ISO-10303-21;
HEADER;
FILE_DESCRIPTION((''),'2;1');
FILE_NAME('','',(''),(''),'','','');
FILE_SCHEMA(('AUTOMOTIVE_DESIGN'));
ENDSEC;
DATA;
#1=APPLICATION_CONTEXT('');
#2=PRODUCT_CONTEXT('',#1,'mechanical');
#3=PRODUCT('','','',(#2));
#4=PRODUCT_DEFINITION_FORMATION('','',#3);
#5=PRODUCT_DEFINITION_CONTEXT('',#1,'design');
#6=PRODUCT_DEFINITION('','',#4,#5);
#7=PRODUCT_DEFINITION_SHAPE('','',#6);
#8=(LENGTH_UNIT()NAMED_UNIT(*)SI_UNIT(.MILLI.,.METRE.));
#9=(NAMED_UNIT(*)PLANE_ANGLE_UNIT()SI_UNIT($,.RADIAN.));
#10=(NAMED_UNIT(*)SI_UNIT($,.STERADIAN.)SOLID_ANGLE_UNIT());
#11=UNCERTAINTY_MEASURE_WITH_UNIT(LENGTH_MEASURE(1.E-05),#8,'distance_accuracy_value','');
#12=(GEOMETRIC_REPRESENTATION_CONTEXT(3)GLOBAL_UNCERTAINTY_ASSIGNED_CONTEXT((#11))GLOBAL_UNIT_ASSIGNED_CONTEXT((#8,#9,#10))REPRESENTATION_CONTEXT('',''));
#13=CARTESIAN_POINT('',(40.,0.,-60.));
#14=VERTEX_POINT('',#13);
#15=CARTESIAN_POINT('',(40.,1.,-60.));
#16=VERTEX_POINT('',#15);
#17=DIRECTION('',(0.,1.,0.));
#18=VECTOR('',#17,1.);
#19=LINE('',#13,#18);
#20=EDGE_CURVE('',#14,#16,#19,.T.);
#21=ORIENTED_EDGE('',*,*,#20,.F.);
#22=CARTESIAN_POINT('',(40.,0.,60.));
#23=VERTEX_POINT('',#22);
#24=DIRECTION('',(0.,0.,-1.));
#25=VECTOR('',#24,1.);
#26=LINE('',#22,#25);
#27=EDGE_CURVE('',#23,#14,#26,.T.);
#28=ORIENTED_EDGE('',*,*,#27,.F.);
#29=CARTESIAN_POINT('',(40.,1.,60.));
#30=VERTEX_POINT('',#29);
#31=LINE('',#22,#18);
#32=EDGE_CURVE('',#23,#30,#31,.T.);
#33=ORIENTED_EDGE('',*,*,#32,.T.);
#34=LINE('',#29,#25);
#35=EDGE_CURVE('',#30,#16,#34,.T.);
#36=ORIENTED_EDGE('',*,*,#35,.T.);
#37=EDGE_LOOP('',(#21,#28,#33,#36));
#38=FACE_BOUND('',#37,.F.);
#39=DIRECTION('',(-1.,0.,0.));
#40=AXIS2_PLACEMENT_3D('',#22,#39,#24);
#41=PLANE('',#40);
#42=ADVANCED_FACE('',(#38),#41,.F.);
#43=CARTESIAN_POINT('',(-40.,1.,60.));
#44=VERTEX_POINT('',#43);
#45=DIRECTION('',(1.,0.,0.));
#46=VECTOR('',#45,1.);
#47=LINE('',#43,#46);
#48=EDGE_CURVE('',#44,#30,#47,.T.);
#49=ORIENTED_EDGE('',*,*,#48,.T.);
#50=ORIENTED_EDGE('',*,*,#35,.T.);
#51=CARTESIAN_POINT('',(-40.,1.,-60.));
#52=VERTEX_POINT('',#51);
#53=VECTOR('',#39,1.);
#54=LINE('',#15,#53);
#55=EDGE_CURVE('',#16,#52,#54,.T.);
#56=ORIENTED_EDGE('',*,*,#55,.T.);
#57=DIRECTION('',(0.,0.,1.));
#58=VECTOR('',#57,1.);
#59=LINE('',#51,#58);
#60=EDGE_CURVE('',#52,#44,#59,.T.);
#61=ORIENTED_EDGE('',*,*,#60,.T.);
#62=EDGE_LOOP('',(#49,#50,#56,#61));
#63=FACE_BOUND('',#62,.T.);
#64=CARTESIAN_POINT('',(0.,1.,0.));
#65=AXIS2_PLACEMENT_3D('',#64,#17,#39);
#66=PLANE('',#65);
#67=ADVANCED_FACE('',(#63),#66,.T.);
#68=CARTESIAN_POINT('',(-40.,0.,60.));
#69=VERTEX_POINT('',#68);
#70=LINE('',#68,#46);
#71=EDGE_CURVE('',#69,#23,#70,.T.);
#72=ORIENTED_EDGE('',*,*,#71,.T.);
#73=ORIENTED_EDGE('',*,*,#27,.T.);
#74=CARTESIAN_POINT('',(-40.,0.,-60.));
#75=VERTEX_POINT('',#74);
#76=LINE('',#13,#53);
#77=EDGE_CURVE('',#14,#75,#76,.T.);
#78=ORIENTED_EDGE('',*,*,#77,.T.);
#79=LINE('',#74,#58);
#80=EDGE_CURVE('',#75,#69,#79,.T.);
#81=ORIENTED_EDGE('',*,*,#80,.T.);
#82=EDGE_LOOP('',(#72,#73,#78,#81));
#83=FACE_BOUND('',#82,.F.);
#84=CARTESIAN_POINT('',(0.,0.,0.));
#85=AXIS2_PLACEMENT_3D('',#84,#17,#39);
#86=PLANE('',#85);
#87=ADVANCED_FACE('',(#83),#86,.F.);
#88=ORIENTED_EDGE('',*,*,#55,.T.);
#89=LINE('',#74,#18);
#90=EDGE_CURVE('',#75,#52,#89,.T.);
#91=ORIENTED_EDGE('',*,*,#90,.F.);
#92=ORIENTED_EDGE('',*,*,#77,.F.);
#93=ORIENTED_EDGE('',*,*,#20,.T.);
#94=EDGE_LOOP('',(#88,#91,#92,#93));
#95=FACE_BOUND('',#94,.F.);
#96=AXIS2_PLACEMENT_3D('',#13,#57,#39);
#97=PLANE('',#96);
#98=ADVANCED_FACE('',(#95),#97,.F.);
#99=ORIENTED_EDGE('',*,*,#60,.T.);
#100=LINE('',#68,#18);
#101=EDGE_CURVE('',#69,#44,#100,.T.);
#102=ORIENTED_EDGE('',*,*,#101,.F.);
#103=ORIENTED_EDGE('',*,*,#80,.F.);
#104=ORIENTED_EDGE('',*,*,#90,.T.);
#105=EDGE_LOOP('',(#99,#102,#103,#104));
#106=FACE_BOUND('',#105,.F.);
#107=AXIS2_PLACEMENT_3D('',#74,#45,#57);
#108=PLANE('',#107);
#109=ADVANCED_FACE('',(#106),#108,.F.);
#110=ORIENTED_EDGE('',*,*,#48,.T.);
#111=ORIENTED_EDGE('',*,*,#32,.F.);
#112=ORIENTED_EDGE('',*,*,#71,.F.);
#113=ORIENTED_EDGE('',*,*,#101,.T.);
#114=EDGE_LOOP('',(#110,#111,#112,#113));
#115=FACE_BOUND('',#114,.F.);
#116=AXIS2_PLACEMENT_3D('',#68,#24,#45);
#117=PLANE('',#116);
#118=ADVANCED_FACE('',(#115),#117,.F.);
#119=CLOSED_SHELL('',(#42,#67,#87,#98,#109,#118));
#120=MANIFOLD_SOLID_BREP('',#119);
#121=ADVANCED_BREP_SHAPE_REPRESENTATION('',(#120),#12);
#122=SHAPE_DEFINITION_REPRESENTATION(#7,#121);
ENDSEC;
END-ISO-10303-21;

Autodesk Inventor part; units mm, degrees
ref_plane "YZ Plane" through (0, 0, 0) normal (1, 0, 0) x (0, 1, 0)
ref_plane "XZ Plane" through (0, 0, 0) normal (0, 1, 0) x (-1, 0, 0)
ref_plane "XY Plane" through (0, 0, 0) normal (0, 0, 1) x (1, 0, 0)
sketch "Skizze1" plane through (0, 0, 0) normal (0, 1, 0) x (-1, 0, 0)
  line L0 (-40, -60) -> (40, -60)
  line L1 (40, -60) -> (40, 60)
  line L2 (40, 60) -> (-40, 60)
  line L3 (-40, 60) -> (-40, -60)
  line L4 (-40, -60) -> (40, 60) construction
  line L5 (40, -60) -> (-40, 60) construction
  point P0 (0, 0)
  dimension "d0" = 80
  dimension "d1" = 120
extrude "Extrusion1" add sketch "Skizze1" along normal blind 1
ref_plane "Arbeitsebene1" through (-40, 0, 0) normal (0, 0, 1) x (1, 0, 0)
ref_plane "Arbeitsebene2" through (0, 0, -60) normal (-1, 0, 0) x (0, 0, 1)
properties part number "00_Astromedia_FronSurfaceMirror_120x80mmx1mm"
